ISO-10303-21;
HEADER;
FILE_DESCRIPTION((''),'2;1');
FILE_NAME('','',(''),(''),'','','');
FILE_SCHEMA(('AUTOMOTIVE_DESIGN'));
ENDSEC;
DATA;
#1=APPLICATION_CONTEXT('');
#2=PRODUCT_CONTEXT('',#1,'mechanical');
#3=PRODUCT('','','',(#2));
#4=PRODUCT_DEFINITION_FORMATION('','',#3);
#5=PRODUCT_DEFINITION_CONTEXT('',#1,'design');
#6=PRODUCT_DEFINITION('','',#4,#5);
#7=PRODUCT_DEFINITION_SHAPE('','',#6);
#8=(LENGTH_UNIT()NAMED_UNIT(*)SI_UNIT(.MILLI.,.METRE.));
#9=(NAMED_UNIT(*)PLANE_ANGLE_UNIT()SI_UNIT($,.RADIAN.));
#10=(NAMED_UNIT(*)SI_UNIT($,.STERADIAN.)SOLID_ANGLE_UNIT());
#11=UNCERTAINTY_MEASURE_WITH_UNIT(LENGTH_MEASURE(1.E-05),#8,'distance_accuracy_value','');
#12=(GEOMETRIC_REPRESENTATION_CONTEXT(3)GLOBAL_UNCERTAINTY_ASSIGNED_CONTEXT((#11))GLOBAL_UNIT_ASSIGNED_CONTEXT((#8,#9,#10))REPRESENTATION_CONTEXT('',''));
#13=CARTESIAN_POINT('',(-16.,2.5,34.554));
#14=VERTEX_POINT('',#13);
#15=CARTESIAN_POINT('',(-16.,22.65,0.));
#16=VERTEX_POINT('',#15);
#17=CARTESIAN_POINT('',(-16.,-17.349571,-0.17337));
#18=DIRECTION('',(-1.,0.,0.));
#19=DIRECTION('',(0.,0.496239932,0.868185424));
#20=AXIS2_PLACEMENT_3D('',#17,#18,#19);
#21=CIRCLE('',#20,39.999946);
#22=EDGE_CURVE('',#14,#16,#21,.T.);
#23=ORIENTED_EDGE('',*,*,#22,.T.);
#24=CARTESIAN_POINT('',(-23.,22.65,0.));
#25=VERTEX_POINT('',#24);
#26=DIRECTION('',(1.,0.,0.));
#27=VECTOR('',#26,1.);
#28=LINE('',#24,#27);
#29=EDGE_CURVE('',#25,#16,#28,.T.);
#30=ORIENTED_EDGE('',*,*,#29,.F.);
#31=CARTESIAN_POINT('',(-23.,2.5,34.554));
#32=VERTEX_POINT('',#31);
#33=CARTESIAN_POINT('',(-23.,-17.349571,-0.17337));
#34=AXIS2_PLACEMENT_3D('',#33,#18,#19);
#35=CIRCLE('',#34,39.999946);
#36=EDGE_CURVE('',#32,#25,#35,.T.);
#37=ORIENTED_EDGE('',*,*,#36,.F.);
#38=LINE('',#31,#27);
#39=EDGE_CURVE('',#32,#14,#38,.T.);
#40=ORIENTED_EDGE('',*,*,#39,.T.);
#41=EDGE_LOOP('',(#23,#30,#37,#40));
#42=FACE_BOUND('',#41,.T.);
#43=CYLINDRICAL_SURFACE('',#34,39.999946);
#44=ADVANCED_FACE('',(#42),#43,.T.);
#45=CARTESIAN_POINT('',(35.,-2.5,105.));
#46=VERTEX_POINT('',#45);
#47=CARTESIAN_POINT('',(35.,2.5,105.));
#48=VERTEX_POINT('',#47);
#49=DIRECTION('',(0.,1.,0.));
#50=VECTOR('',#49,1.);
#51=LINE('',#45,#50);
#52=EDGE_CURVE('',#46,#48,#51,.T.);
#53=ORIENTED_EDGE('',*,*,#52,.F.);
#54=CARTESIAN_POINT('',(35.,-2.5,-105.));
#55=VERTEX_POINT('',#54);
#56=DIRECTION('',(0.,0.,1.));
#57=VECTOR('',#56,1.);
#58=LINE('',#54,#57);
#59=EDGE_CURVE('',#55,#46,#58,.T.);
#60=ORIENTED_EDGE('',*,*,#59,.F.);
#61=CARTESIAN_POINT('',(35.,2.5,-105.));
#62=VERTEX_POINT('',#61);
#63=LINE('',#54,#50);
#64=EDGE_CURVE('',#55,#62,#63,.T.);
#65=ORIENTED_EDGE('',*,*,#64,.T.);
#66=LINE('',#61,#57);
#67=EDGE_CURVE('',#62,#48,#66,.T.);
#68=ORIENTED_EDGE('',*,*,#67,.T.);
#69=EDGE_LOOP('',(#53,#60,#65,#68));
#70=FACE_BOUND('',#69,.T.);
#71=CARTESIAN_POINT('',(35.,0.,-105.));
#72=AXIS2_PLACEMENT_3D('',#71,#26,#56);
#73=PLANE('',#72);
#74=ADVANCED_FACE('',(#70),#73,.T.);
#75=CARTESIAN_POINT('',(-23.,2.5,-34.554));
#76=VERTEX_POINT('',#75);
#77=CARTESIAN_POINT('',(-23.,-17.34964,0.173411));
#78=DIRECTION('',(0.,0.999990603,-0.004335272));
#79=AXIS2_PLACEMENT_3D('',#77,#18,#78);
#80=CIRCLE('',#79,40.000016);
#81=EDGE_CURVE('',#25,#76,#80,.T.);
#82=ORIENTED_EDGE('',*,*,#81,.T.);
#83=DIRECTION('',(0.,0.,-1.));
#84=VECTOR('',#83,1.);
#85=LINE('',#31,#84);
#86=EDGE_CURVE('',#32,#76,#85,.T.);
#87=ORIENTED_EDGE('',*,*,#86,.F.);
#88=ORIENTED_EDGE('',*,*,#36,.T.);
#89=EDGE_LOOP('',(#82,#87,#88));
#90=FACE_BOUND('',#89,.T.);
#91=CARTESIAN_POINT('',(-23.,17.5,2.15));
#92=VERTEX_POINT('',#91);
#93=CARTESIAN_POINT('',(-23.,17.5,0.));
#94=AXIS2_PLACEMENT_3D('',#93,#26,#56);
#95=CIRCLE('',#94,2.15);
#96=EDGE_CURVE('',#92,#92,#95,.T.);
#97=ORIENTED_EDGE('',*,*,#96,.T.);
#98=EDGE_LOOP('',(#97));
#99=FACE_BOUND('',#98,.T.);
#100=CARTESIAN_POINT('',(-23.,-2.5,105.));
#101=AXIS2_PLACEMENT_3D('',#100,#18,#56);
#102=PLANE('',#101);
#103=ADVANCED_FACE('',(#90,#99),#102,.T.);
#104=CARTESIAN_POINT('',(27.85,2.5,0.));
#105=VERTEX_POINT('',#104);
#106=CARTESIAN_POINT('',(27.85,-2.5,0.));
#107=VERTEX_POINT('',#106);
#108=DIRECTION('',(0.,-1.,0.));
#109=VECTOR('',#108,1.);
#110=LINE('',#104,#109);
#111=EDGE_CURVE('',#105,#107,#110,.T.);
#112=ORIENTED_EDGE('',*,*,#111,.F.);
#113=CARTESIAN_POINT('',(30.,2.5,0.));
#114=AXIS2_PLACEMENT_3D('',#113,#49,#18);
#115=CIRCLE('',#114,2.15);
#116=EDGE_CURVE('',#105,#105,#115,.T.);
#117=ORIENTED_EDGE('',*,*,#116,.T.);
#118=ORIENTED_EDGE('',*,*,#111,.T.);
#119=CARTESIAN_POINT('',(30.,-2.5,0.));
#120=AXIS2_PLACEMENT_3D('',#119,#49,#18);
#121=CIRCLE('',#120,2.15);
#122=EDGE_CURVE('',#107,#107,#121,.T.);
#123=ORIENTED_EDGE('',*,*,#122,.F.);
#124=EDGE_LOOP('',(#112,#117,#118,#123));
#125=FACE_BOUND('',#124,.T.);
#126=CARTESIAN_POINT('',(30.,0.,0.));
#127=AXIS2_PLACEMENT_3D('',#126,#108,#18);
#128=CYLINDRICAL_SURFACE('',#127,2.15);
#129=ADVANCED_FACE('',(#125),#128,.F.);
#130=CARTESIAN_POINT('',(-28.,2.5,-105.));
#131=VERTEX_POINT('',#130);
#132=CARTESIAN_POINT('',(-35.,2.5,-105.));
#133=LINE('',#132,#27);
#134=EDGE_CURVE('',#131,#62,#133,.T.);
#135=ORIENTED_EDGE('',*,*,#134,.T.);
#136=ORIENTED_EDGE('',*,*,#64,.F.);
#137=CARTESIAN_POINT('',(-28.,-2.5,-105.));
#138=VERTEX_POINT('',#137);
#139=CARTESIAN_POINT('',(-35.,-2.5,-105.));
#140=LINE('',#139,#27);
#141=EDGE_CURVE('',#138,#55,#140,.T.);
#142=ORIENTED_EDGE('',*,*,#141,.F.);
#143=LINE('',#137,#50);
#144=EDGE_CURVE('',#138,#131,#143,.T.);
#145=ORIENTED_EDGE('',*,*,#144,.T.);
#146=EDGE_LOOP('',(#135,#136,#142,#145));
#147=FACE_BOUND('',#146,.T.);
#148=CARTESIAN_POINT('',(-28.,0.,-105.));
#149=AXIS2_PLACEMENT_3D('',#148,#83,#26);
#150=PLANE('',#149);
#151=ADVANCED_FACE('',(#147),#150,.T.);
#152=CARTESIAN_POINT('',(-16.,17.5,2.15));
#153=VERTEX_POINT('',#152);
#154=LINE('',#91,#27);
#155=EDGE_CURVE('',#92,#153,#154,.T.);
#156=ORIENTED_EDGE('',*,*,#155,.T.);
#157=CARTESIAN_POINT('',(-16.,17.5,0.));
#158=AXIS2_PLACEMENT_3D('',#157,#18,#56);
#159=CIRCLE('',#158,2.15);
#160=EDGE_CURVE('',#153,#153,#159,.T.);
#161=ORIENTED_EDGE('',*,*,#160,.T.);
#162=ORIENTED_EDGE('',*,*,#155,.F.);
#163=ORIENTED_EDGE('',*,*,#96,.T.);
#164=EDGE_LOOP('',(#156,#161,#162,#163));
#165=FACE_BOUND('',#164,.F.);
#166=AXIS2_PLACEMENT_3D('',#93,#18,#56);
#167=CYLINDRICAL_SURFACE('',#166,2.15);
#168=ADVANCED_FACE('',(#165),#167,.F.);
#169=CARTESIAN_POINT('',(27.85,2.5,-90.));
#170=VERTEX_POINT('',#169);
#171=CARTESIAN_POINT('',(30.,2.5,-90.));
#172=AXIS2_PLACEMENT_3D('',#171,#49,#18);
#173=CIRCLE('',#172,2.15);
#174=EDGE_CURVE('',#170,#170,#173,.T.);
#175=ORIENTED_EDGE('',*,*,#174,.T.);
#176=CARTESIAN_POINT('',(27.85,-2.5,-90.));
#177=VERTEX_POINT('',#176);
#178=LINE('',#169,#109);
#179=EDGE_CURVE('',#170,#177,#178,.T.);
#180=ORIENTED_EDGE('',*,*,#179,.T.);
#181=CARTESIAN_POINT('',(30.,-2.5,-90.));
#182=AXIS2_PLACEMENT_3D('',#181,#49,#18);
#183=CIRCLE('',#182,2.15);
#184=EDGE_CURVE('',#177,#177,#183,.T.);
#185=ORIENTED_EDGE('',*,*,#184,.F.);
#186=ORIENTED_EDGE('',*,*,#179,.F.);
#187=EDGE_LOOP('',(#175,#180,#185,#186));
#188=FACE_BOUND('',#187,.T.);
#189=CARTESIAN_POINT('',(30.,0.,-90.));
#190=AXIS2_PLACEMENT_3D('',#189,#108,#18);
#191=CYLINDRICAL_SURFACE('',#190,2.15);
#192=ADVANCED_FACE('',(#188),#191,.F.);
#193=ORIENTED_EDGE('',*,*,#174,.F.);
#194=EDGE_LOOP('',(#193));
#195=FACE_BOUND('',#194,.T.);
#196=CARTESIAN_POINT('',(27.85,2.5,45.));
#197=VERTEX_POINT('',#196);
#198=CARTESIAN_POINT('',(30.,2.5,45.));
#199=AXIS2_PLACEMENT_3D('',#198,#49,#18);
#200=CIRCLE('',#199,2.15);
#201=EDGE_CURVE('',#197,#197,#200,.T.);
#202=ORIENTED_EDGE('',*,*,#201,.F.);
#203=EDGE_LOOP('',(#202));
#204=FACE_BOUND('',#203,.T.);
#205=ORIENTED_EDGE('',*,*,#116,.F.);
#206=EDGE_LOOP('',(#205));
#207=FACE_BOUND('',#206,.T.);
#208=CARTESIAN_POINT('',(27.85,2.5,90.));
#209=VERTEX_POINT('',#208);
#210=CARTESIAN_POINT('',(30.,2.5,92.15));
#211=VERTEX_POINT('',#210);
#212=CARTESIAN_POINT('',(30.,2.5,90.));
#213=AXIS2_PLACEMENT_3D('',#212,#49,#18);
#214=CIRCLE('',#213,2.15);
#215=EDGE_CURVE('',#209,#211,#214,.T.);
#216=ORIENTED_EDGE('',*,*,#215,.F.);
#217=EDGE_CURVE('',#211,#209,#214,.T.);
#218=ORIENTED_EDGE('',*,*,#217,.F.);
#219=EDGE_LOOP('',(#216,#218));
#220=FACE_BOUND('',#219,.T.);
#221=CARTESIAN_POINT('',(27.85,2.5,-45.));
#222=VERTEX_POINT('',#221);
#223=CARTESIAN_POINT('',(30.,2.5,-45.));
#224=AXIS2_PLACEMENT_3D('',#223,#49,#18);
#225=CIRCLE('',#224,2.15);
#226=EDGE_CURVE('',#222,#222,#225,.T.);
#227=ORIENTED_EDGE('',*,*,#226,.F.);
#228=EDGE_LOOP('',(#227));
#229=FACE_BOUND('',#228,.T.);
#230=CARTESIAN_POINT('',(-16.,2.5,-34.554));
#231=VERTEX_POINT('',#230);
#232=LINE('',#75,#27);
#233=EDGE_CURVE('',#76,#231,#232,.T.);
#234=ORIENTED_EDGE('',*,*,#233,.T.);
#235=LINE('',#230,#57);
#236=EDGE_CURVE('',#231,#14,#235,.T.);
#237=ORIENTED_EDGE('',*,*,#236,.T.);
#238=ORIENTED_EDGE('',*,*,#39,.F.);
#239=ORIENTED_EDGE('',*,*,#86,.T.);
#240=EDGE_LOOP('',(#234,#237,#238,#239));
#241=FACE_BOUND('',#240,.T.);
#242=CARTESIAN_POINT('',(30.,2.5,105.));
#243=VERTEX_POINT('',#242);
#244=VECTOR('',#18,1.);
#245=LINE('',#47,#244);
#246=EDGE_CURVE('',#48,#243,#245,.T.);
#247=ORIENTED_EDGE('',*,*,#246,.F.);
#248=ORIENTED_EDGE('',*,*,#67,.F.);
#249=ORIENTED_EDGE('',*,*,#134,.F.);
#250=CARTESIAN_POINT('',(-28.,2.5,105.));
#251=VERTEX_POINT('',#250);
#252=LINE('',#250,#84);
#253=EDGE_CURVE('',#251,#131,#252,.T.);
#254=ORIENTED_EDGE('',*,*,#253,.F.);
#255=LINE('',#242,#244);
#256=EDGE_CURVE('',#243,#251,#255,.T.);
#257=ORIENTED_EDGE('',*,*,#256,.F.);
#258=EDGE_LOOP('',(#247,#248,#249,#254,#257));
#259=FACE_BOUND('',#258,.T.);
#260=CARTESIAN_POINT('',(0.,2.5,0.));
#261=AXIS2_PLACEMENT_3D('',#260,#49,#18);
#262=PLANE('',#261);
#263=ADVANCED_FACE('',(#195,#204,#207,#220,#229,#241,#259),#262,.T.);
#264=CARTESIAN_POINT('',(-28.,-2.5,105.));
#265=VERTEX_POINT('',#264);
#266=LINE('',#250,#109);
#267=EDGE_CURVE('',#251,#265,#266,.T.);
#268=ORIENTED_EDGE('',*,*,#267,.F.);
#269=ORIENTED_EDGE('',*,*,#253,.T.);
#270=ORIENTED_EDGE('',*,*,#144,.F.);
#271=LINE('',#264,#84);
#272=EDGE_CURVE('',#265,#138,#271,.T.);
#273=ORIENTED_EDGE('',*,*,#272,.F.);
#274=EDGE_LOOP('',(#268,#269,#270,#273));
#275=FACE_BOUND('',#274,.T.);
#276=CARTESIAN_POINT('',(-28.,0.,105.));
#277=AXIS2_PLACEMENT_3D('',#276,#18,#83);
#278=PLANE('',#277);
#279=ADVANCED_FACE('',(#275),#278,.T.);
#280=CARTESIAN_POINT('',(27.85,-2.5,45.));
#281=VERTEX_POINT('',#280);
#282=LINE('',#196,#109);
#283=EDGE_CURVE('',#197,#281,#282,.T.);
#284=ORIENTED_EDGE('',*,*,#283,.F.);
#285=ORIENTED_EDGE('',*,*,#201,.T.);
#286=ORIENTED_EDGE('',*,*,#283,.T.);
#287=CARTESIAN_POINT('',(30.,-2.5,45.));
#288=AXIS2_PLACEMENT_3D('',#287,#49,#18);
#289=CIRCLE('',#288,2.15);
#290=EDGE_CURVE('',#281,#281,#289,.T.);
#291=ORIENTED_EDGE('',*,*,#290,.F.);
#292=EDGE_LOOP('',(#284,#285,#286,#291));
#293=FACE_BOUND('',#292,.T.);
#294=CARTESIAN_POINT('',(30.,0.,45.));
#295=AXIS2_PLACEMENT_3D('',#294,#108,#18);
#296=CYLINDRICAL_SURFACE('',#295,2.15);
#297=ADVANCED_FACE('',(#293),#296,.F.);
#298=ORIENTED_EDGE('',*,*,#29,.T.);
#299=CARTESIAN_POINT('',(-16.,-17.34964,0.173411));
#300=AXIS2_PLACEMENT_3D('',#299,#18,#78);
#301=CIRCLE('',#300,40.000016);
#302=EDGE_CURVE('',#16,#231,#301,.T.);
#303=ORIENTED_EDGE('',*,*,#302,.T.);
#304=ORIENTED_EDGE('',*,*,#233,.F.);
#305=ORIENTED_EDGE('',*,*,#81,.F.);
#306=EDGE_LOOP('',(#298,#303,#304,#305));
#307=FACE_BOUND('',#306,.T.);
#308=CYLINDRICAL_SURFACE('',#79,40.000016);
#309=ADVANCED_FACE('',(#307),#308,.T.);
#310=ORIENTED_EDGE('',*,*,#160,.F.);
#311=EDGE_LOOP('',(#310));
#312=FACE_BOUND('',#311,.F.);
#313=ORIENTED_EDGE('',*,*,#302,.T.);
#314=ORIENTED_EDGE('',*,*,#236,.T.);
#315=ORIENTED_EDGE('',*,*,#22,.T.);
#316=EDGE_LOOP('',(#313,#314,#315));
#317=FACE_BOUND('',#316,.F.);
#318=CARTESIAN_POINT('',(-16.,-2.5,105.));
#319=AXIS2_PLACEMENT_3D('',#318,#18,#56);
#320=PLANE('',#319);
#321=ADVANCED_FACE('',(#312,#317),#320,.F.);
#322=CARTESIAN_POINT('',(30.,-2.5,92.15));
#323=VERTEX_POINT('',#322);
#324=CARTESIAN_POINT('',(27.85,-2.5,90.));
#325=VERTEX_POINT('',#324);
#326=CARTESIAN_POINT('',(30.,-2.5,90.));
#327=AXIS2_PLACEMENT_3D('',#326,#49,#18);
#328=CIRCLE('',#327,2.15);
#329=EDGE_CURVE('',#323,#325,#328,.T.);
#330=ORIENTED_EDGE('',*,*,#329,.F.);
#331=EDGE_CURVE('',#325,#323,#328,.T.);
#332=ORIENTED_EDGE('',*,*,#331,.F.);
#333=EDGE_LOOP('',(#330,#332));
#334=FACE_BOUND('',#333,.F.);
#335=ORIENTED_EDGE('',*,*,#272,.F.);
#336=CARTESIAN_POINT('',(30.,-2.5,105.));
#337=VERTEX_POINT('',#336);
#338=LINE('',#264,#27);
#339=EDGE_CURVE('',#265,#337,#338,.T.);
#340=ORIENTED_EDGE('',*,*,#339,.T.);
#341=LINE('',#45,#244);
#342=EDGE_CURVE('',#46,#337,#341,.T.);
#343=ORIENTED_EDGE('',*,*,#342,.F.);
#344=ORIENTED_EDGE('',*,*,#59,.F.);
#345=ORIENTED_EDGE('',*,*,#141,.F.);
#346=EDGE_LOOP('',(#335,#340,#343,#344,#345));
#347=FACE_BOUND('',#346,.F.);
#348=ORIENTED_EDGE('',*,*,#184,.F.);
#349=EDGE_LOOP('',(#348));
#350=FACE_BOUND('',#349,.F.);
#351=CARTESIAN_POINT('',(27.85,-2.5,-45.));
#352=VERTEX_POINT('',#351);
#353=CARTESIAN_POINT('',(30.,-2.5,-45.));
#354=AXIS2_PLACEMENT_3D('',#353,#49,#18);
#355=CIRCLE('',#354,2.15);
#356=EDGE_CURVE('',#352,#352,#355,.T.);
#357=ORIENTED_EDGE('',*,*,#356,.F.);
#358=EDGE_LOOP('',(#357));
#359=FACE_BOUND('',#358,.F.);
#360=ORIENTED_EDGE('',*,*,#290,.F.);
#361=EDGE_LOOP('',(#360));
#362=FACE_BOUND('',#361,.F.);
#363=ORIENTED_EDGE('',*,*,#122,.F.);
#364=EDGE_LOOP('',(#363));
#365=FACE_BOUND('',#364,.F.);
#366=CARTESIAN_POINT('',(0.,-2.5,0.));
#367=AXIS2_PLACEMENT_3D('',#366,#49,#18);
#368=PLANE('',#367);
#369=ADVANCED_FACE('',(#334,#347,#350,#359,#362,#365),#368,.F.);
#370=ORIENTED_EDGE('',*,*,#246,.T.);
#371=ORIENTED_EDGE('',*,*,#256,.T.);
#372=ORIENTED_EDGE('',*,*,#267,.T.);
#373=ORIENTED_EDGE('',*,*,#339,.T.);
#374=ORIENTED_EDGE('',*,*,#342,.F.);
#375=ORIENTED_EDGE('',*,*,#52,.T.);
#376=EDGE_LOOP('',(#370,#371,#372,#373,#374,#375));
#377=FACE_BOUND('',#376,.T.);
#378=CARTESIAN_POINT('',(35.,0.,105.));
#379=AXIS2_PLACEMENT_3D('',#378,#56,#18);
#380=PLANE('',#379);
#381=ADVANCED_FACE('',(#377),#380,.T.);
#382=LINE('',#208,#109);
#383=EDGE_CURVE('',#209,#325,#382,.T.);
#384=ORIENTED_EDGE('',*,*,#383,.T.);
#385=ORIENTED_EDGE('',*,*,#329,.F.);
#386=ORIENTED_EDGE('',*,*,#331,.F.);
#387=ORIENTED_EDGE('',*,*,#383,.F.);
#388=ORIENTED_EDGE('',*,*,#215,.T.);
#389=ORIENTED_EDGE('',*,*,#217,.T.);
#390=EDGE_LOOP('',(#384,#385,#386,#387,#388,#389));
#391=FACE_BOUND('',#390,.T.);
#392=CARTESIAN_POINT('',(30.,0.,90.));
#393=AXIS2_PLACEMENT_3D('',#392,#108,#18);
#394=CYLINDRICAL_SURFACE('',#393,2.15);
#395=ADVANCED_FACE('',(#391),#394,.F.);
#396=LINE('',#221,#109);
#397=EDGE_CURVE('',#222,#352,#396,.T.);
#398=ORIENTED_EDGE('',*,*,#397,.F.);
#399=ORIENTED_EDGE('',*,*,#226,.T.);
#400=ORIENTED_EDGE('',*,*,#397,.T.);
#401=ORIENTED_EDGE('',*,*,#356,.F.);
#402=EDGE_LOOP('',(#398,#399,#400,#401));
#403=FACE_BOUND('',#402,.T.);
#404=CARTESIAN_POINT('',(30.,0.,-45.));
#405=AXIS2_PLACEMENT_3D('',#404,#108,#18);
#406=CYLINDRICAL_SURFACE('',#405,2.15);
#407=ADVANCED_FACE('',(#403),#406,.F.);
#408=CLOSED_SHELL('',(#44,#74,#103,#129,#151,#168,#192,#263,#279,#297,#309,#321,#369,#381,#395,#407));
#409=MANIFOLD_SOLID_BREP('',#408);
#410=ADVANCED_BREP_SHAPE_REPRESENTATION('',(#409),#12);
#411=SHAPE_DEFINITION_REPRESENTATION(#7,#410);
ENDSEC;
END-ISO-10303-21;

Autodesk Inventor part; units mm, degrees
ref_plane "YZ Plane" through (0, 0, 0) normal (1, 0, 0) x (0, 1, 0)
ref_plane "XZ Plane" through (0, 0, 0) normal (0, 1, 0) x (-1, 0, 0)
sketch "Szkic1" plane through (0, 0, 0) normal (0, 1, 0) x (-1, 0, 0)
  line L0 (-35, 105) -> (35, 105)
  line L1 (35, 105) -> (35, -105)
  line L2 (35, -105) -> (-35, -105)
  line L3 (-35, -105) -> (-35, 105)
  line L4 (-35, 105) -> (35, -105) construction
  line L5 (35, 105) -> (-35, -105) construction
  line L6 (-35, 105) -> (-25, 105)
  line L7 (-30, 105) -> (-30, 90)
  line L8 (35, 105) -> (28, 105)
  line L9 (28, 105) -> (28, -105)
  line L10 (35, -105) -> (28, -105)
  circle A0 centre (-30, 90) radius 2.15
  circle A1 centre (-30, 45) radius 2.15
  circle A2 centre (-30, 0) radius 2.15
  circle A3 centre (-30, -45) radius 2.15
  circle A4 centre (-30, -90) radius 2.15
  point P0 (0, 0)
  dimension "d0" = 70
  dimension "d1" = 210
  dimension "d2" = 10
  dimension "d3" = 15
  dimension "d4" = 7
  dimension "d5" = 4.3
  dimension "d8" = 45
extrude "Wyciągnięcie proste1" add sketch "Szkic1" along normal mid plane 5 contours L0 L9 L2 L3
ref_plane "Płaszczyzna konstrukcyjna1" through (-23, -2.5, 105) normal (-1, 0, 0) x (0, 0, 1)
sketch "Szkic2" plane through (-23, -2.5, 105) normal (-1, 0, 0) x (0, 0, 1)
  line L0 (0, 5) -> (-210, 5) projected
  line L1 (-210, 5) -> (0, 5)
  line L2 (-105, 5) -> (-105, 20)
  circle A0 centre (-105, 20) radius 2.15
  line L3 (-105, 22.15) -> (-105, 25.15)
  arc A1 (-105, 25.15) -> (-139.554, 5) centre (-104.8266, -14.8496) ccw
  arc A2 (-70.446, 5) -> (-105, 25.15) centre (-105.1734, -14.8496) ccw
  line L4 (-139.554, 5) -> (-70.446, 5)
  point P0 (-105, 2.5)
  point P1 (-70.446, 5)
  dimension "d17" = 4.3
  dimension "d16" = 15
  dimension "d18" = 3
  dimension "d19" = 40
  dimension "d20" = 40
extrude "Wyciągnięcie proste2" add sketch "Szkic2" against normal blind 7 contours L0 L2 A0 L3 A2 | L0 A1 L3 A0 L2
properties part number "podstawa_sciana_front"
